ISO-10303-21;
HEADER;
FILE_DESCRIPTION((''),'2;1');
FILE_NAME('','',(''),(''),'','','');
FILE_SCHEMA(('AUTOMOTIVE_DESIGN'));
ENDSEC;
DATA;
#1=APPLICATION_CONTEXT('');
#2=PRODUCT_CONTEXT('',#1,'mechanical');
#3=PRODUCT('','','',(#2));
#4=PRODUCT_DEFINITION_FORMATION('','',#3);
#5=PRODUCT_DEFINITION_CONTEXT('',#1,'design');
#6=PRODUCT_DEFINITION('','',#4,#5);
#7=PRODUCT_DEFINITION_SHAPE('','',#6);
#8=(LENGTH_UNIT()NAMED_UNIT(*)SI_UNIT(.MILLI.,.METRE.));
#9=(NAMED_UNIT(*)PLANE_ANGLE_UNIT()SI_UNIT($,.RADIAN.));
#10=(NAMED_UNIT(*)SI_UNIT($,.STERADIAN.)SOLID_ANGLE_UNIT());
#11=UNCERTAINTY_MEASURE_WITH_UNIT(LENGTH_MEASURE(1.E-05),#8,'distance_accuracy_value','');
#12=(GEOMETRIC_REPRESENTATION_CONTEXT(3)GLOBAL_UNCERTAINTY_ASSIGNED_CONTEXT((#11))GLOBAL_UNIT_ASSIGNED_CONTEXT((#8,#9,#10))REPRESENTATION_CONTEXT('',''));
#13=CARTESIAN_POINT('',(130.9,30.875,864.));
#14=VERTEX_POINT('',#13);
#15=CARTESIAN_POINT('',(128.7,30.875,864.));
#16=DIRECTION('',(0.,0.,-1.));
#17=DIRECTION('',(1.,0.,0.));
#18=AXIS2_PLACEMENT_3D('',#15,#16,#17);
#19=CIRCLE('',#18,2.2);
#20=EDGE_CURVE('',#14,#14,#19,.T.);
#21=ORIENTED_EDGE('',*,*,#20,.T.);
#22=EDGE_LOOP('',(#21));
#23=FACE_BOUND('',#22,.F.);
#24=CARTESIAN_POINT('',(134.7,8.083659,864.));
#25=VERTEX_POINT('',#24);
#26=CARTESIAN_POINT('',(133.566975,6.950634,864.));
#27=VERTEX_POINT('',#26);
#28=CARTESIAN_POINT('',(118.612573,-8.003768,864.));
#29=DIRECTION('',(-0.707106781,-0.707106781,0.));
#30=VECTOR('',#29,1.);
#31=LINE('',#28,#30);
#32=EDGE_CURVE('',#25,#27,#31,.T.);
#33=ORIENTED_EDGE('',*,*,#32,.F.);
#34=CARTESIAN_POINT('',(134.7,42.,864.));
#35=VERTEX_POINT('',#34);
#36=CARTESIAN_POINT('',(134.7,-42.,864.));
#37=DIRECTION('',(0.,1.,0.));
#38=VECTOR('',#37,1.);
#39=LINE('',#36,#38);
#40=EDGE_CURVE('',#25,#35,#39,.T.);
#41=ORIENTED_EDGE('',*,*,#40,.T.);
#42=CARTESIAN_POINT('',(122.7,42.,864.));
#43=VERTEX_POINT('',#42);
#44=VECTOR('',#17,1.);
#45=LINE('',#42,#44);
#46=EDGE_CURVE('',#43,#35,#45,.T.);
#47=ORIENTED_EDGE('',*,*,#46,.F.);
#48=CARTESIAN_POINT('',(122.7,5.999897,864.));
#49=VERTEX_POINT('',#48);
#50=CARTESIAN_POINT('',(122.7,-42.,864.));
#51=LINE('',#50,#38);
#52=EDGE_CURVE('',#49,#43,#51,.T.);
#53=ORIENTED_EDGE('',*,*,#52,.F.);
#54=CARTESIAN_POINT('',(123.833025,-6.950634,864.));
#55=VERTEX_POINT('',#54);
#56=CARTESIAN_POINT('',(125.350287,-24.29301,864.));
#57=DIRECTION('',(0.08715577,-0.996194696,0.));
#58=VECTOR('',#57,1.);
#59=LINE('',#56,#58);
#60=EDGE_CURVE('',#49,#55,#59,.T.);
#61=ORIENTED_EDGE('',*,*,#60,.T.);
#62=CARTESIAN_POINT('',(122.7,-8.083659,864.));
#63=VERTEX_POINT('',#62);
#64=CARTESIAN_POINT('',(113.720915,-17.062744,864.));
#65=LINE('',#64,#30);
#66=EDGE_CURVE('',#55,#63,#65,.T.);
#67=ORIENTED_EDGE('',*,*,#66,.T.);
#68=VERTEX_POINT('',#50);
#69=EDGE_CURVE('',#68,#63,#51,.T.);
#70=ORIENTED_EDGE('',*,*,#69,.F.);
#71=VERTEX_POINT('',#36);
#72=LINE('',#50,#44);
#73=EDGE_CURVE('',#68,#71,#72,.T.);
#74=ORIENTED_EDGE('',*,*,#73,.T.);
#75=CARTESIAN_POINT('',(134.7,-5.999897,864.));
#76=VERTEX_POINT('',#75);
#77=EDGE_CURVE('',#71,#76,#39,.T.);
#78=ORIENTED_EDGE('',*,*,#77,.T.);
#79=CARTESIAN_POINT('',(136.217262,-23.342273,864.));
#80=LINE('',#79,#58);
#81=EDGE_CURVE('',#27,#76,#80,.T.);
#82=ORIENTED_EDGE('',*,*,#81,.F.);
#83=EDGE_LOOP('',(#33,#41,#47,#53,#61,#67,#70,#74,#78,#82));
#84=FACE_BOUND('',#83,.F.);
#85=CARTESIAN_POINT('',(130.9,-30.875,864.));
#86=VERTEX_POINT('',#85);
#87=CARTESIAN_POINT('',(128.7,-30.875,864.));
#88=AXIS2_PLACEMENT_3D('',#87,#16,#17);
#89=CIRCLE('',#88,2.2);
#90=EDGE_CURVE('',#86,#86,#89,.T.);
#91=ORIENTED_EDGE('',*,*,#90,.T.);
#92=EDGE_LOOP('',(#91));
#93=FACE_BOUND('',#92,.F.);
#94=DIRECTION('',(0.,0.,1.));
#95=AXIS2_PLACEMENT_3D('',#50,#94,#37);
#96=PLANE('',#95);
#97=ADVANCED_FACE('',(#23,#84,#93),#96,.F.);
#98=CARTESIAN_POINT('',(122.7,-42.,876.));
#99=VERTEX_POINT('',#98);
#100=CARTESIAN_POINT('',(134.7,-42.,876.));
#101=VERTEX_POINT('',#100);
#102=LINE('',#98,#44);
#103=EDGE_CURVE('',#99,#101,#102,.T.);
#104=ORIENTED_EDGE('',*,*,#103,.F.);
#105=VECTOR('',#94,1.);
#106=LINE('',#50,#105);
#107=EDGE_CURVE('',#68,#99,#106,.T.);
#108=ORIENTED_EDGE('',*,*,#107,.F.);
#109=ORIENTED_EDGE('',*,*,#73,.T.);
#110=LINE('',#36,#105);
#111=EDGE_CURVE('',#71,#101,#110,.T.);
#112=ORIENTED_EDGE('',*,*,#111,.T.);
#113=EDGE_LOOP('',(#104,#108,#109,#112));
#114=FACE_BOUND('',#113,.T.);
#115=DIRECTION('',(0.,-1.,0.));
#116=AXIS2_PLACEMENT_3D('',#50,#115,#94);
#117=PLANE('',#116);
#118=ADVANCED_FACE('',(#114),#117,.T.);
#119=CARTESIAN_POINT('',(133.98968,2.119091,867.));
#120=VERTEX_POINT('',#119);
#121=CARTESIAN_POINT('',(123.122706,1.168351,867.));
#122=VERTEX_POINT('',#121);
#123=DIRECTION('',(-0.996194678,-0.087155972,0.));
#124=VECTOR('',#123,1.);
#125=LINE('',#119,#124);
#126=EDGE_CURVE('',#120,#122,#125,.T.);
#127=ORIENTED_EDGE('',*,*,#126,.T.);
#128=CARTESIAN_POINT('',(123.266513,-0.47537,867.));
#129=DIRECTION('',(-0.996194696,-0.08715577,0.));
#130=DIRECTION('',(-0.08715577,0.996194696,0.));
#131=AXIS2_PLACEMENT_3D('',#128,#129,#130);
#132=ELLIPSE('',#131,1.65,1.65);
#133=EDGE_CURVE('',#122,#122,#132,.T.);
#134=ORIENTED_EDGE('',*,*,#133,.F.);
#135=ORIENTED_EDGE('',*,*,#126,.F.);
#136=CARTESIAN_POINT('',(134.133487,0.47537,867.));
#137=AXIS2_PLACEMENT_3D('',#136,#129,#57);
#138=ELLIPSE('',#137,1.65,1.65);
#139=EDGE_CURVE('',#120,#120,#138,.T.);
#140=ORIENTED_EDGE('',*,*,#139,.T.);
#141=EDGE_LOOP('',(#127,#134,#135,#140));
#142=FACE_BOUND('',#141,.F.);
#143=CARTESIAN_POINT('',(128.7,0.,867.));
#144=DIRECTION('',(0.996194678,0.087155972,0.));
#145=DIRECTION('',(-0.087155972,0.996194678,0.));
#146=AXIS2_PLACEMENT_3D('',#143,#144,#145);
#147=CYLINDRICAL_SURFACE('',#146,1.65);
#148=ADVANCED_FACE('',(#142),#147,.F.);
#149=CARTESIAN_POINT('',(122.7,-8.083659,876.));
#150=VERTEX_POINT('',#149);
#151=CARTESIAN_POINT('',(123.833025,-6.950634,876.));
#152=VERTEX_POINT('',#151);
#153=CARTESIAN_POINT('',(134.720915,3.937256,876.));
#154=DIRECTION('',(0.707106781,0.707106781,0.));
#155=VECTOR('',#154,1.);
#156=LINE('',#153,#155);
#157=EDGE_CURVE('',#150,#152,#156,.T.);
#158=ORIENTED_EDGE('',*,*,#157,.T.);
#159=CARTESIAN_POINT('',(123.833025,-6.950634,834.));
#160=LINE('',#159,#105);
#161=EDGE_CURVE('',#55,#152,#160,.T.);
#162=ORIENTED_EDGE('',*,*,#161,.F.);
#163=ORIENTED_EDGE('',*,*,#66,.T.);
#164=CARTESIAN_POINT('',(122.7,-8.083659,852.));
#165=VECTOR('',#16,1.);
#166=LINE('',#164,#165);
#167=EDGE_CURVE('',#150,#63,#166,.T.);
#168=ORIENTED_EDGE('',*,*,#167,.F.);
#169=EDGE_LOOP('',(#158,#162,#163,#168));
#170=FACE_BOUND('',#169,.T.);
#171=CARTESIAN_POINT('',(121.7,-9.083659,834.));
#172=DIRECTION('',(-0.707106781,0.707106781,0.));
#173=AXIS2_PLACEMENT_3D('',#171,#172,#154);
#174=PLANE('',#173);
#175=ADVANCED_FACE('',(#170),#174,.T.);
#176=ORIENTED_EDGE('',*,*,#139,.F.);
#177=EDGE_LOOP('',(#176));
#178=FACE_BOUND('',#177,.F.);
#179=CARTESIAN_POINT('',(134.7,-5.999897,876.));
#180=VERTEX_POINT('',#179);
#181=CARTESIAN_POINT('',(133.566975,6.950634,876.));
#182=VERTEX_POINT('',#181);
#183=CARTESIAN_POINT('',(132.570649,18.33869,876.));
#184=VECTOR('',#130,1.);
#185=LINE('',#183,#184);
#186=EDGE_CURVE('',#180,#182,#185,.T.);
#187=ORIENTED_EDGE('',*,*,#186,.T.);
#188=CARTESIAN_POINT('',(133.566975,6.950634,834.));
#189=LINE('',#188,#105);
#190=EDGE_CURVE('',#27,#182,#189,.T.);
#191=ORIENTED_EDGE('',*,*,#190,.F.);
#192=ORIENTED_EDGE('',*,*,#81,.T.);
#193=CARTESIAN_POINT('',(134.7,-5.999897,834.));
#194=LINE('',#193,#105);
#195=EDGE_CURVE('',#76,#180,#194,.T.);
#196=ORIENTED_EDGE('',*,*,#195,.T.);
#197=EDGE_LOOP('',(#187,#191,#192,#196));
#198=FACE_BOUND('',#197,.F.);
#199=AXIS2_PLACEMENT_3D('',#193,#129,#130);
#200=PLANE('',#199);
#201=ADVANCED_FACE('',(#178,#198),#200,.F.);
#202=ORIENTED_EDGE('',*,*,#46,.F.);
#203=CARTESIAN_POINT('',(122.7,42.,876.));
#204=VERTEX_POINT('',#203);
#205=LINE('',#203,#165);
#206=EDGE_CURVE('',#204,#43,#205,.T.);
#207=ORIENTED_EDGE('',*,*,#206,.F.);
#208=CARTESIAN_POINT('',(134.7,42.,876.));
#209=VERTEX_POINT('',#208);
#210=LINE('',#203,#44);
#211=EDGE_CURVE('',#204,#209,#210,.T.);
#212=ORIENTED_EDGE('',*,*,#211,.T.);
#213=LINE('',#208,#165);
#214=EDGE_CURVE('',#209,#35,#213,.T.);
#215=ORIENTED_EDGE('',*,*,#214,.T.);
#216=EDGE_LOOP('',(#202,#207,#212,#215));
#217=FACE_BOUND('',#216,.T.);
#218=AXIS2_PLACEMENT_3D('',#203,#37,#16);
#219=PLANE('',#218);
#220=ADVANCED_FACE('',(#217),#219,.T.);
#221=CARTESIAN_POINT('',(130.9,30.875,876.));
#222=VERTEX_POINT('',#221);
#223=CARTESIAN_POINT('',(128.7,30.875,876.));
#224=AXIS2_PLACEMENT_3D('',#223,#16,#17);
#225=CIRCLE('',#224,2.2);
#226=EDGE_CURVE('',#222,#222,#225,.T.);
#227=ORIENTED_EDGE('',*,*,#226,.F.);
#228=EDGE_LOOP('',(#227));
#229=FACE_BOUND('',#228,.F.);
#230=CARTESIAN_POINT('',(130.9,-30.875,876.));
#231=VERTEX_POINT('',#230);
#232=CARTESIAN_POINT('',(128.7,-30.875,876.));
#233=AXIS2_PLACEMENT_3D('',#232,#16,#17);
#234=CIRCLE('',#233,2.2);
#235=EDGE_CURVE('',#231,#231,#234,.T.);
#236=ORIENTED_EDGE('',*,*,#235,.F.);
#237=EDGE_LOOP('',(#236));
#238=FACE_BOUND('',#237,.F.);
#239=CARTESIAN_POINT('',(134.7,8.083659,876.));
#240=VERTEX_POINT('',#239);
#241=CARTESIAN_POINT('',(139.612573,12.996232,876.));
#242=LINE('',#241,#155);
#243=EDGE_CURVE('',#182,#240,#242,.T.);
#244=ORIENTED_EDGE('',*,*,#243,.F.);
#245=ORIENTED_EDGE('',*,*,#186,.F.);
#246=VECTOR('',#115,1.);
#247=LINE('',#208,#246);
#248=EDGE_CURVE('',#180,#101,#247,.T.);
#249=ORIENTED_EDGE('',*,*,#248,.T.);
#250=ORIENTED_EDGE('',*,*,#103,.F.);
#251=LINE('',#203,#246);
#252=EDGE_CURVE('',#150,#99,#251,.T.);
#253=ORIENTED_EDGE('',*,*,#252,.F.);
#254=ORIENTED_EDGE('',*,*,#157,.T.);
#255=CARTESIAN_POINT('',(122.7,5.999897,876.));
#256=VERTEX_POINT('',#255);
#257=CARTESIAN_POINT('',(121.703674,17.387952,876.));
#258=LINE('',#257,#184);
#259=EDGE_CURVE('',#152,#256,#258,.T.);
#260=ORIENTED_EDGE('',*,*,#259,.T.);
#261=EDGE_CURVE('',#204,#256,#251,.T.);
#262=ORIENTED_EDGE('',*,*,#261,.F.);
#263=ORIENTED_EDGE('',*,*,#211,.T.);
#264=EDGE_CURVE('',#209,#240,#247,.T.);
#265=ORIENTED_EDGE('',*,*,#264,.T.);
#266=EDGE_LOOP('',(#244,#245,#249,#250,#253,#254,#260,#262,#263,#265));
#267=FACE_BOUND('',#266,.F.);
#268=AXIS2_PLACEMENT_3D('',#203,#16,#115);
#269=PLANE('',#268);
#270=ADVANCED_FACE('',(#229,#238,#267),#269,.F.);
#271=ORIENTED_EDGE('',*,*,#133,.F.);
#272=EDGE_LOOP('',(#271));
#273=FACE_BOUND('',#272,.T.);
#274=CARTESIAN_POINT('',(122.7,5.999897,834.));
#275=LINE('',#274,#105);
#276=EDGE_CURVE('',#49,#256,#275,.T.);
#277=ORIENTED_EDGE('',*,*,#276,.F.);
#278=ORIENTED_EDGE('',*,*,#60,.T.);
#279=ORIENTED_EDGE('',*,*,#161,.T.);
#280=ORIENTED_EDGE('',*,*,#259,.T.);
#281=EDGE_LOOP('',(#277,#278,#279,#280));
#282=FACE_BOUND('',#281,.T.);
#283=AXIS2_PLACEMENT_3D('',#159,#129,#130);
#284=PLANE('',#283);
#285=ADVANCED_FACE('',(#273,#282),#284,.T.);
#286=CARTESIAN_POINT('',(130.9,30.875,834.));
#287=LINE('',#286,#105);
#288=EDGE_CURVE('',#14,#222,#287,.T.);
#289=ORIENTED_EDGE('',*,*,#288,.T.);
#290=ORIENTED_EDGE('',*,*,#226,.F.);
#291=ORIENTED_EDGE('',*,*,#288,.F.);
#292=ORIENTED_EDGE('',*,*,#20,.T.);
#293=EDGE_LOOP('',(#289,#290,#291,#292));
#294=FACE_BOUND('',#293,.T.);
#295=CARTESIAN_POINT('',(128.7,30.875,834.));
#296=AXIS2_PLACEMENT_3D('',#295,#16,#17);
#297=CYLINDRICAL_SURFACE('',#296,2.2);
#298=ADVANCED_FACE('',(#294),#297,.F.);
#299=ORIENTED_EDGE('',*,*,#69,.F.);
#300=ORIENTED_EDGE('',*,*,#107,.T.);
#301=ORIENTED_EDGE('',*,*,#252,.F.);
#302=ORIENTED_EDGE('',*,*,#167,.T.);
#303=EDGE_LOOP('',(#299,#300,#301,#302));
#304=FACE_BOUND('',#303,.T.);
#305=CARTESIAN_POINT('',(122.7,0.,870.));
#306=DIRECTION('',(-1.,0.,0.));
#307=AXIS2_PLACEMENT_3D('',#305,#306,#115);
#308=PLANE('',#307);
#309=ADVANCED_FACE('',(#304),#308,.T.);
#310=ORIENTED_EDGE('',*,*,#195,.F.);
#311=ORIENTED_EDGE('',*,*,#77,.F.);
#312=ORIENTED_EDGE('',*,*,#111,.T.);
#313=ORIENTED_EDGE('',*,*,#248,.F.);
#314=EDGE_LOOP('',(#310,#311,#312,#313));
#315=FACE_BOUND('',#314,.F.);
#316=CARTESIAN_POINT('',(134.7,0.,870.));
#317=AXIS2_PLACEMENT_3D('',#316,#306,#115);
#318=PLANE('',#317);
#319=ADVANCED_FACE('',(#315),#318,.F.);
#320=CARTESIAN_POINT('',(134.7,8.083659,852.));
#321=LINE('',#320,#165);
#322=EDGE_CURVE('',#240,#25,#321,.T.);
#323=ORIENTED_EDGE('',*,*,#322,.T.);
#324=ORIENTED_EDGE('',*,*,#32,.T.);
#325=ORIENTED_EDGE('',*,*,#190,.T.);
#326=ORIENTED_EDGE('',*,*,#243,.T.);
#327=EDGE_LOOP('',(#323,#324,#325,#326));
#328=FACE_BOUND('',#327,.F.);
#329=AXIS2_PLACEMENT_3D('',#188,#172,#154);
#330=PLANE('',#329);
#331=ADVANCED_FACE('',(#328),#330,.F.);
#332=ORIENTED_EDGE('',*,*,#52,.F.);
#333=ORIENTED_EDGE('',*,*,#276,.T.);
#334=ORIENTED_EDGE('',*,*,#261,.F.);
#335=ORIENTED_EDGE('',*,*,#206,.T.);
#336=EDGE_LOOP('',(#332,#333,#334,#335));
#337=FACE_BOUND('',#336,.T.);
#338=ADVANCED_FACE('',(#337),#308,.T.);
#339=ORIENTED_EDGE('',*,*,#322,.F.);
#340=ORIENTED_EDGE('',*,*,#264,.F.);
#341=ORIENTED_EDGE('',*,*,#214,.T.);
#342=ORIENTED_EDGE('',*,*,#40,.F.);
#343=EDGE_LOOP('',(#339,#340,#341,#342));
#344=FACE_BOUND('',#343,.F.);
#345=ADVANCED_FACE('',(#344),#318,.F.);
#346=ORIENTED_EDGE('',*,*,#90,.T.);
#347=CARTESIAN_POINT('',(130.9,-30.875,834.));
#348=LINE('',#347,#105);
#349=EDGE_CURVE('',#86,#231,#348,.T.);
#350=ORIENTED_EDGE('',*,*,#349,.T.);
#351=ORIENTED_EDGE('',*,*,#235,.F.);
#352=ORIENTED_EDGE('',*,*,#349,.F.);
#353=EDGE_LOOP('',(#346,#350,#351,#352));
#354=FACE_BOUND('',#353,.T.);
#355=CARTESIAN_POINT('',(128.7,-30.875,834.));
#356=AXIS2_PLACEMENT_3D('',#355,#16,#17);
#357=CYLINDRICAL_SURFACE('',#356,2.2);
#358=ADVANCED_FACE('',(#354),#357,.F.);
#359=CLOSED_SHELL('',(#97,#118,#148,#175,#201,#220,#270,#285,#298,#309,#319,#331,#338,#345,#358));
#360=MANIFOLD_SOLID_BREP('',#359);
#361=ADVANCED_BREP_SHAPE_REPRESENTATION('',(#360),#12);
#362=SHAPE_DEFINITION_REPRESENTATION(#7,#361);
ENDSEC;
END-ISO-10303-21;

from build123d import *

# Parameters (mm, degrees)
PAD007_DEPTH         = 12
SKETCH065_R          = 2.2
POCKET021_DEPTH      = 0.001
POCKET021_DEPTH_BACK = 42.001
SKETCH025_R          = 1.65
POCKET022_DEPTH      = 9.638709
POCKET022_DEPTH_BACK = 9.638709


with BuildPart() as part:
    # Sketch023 → Pad007 (new body)
    with BuildSketch(Plane.YZ):
        Polygon((42, 42), (42, 30), (19.75, 30), (-19.75, 30), (-42, 30), (-42, 42), (-11, 42), (11, 42), align=None)
    extrude(amount=PAD007_DEPTH)

    # Sketch065 → Pocket021 (cut, two sides)
    with BuildSketch(Plane.XY) as pocket021_sk:
        with Locations((6, 30.875)):
            Circle(SKETCH065_R)
        with Locations((6, -30.875)):
            Circle(SKETCH065_R)
        Polygon((10.866975, 6.950634), (13, 9.083659), (13, -5.999897), (12, -5.999897), align=None)
        Polygon((0, 5.999897), (-1, 5.999897), (-1, -9.083659), (1.133025, -6.950634), align=None)
    extrude(amount=-POCKET021_DEPTH, mode=Mode.SUBTRACT)
    extrude(pocket021_sk.sketch, amount=POCKET021_DEPTH_BACK, mode=Mode.SUBTRACT)

    # Sketch025 (on DatumPlane) → Pocket022 (cut, two sides)
    with BuildSketch(Plane(origin=(6, 0, 0), x_dir=(-0.087156, 0.996195, 0), z_dir=(0.996195, 0.087156, 0))) as pocket022_sk:
        with Locations((0, 33)):
            Circle(SKETCH025_R)
    extrude(amount=-POCKET022_DEPTH, mode=Mode.SUBTRACT)
    extrude(pocket022_sk.sketch, amount=POCKET022_DEPTH_BACK, mode=Mode.SUBTRACT)


with BuildPart() as part_1:
    # Body008 placement: moved
    add(part.part.moved(Location((122.7, 0, 834))))


solid = part_1.part
